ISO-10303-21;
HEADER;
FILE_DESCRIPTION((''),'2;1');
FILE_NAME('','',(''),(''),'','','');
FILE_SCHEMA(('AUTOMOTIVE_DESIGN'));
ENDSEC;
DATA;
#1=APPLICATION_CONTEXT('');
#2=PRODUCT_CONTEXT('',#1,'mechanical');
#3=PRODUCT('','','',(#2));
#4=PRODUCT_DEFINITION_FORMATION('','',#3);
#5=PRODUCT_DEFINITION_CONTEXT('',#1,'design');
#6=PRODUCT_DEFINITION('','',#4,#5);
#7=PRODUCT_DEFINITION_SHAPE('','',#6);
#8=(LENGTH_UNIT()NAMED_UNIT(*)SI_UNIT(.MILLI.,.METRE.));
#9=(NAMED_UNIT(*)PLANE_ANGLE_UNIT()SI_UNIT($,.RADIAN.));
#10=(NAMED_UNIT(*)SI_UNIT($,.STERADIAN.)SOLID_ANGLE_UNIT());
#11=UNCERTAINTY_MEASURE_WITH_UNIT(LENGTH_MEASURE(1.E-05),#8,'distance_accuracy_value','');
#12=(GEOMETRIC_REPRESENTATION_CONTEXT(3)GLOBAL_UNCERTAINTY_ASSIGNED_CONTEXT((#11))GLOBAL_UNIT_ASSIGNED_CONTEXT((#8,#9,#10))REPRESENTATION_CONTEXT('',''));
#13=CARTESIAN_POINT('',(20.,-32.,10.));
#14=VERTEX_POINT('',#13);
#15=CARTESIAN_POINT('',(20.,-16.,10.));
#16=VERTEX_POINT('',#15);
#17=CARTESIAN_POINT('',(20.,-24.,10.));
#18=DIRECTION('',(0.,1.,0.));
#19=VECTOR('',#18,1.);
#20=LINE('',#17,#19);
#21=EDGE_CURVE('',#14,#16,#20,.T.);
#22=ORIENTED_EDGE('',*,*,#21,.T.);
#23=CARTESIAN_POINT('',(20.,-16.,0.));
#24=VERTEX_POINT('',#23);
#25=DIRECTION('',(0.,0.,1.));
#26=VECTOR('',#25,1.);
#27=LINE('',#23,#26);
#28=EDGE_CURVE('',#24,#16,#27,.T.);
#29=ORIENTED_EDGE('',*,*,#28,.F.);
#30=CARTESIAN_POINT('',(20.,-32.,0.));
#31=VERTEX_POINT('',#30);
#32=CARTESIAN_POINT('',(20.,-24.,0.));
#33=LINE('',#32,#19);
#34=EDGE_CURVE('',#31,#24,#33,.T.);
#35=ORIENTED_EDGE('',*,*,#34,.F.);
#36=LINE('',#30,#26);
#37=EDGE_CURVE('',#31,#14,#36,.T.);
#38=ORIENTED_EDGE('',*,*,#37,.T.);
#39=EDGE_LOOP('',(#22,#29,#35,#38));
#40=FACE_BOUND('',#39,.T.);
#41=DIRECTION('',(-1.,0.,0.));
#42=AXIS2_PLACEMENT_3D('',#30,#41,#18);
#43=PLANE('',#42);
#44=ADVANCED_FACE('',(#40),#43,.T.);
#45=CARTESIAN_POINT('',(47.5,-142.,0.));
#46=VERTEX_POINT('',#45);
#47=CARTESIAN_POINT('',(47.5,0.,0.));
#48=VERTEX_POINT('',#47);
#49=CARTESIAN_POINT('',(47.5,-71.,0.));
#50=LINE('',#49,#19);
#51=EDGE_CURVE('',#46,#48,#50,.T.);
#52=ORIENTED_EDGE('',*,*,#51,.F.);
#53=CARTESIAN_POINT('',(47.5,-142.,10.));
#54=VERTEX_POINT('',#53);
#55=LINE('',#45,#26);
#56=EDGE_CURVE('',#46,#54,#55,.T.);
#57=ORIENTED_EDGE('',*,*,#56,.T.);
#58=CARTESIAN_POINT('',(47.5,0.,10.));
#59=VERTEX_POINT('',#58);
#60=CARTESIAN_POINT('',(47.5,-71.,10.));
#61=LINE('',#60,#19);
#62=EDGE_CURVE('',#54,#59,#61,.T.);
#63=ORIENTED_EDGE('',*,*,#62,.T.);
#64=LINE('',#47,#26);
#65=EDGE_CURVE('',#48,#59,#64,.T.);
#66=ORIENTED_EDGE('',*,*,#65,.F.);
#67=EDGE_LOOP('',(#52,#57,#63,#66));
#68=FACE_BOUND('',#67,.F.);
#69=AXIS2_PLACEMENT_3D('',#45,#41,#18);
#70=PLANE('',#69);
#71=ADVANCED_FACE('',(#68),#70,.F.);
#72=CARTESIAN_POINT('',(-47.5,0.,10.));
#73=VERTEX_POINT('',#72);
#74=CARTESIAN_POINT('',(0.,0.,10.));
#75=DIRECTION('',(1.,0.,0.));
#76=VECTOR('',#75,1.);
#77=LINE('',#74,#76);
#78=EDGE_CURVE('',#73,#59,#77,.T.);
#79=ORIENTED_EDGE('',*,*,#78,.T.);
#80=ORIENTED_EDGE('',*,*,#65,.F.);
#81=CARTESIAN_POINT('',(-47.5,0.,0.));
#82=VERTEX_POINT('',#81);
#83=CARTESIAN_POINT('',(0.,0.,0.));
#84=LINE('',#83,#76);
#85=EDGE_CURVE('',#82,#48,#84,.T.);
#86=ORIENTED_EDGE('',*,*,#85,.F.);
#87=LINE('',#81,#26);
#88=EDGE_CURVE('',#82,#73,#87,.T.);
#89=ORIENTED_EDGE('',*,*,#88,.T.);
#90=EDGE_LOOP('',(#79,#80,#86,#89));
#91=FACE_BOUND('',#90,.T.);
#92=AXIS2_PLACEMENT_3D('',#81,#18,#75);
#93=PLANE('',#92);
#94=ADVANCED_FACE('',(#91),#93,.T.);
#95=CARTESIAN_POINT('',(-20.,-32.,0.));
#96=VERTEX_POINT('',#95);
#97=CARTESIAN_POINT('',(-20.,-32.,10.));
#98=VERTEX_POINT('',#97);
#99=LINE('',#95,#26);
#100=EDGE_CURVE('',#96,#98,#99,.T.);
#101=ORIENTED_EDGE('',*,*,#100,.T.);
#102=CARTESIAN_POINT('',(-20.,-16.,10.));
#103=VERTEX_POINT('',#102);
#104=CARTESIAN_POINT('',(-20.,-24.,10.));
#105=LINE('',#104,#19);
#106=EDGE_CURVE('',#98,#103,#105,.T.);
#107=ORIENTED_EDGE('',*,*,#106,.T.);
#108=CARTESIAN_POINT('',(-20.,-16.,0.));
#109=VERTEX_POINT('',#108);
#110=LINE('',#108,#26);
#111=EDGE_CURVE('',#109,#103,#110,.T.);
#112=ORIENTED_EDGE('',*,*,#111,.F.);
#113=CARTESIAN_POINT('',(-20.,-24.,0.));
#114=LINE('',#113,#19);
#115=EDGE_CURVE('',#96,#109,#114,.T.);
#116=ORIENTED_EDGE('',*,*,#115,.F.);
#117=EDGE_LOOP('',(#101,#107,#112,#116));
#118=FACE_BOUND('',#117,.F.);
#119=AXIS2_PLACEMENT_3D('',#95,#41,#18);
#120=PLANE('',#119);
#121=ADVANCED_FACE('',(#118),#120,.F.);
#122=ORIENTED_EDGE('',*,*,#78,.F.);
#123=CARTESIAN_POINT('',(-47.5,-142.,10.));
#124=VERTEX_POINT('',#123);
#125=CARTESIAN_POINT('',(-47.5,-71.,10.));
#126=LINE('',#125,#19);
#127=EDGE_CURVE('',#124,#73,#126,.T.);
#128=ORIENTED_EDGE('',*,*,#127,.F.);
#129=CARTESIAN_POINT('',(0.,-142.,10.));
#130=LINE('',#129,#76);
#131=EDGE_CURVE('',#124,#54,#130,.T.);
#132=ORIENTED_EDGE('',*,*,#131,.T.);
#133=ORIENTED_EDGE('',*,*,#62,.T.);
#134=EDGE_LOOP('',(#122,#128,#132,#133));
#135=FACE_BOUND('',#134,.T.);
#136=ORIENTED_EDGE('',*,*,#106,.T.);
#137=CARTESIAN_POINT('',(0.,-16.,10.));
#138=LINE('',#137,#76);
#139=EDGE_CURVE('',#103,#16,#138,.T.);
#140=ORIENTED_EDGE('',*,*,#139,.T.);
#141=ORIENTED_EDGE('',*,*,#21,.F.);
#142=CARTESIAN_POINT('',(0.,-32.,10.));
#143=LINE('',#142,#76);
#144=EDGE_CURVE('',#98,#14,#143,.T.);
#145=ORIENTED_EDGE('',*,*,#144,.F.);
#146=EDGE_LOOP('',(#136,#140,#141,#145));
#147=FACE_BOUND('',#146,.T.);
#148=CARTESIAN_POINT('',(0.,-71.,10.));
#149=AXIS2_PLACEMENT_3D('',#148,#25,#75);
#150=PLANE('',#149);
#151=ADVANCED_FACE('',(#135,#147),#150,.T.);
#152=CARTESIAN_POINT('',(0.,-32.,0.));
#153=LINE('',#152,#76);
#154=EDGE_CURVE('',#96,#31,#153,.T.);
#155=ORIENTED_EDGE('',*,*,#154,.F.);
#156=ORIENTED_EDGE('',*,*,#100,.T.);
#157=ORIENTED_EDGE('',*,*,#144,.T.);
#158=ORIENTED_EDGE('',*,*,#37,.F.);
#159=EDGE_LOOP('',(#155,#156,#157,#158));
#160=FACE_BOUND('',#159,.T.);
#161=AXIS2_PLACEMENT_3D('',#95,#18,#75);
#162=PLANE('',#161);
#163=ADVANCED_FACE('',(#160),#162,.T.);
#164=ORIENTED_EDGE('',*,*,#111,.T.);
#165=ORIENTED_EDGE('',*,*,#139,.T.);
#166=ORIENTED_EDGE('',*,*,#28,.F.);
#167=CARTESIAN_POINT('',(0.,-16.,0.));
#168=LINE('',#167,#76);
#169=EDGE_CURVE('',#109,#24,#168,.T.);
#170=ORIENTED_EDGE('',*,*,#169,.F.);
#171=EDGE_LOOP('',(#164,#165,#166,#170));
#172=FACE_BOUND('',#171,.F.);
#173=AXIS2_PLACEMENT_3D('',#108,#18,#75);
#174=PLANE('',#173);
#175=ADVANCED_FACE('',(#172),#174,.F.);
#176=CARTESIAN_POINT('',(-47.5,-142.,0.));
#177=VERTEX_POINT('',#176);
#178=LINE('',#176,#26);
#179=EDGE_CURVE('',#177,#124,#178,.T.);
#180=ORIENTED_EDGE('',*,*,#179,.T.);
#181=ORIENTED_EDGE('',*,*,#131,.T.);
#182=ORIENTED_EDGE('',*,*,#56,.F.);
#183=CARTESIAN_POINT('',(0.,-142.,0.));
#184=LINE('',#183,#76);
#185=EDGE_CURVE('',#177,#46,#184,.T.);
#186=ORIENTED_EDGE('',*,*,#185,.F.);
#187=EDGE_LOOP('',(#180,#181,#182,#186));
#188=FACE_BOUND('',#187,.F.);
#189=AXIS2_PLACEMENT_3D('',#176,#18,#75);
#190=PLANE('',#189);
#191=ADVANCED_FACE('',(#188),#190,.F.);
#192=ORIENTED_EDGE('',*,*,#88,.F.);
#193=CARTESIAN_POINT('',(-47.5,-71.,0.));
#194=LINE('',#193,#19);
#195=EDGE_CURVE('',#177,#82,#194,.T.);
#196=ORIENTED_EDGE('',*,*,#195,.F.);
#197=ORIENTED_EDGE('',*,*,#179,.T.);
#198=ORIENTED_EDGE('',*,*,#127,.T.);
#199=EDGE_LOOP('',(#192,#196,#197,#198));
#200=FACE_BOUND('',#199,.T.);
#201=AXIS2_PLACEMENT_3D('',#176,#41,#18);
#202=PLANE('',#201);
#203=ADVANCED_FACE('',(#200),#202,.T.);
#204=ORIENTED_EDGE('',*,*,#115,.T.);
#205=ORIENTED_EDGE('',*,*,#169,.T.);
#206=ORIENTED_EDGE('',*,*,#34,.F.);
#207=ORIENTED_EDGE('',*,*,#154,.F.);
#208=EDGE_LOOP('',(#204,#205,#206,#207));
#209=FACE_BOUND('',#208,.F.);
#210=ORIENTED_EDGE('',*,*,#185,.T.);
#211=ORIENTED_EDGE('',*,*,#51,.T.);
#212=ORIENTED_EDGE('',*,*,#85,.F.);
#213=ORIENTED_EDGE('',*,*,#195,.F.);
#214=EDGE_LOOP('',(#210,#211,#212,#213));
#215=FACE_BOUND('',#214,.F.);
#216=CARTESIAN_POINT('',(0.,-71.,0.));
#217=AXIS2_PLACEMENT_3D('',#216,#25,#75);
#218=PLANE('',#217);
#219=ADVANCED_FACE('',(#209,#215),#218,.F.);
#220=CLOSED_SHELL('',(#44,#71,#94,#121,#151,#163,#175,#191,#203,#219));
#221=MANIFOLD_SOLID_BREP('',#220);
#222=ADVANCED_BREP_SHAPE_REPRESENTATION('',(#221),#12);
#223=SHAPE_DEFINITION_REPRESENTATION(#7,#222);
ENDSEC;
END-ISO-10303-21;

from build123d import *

# Parameters (mm, degrees)
SKETCH_W      = 95
SKETCH_H      = 142
SKETCH_W_2    = 40
SKETCH_H_2    = 16
EXTRUDE_DEPTH = 10


with BuildPart() as part:
    # Sketch → Extrude (new body)
    with BuildSketch(Plane.XY):
        with Locations((0, -71)):
            Rectangle(SKETCH_W, SKETCH_H)
        with Locations((0, -24)):
            Rectangle(SKETCH_W_2, SKETCH_H_2, mode=Mode.SUBTRACT)
    extrude(amount=EXTRUDE_DEPTH)


solid = part.part
